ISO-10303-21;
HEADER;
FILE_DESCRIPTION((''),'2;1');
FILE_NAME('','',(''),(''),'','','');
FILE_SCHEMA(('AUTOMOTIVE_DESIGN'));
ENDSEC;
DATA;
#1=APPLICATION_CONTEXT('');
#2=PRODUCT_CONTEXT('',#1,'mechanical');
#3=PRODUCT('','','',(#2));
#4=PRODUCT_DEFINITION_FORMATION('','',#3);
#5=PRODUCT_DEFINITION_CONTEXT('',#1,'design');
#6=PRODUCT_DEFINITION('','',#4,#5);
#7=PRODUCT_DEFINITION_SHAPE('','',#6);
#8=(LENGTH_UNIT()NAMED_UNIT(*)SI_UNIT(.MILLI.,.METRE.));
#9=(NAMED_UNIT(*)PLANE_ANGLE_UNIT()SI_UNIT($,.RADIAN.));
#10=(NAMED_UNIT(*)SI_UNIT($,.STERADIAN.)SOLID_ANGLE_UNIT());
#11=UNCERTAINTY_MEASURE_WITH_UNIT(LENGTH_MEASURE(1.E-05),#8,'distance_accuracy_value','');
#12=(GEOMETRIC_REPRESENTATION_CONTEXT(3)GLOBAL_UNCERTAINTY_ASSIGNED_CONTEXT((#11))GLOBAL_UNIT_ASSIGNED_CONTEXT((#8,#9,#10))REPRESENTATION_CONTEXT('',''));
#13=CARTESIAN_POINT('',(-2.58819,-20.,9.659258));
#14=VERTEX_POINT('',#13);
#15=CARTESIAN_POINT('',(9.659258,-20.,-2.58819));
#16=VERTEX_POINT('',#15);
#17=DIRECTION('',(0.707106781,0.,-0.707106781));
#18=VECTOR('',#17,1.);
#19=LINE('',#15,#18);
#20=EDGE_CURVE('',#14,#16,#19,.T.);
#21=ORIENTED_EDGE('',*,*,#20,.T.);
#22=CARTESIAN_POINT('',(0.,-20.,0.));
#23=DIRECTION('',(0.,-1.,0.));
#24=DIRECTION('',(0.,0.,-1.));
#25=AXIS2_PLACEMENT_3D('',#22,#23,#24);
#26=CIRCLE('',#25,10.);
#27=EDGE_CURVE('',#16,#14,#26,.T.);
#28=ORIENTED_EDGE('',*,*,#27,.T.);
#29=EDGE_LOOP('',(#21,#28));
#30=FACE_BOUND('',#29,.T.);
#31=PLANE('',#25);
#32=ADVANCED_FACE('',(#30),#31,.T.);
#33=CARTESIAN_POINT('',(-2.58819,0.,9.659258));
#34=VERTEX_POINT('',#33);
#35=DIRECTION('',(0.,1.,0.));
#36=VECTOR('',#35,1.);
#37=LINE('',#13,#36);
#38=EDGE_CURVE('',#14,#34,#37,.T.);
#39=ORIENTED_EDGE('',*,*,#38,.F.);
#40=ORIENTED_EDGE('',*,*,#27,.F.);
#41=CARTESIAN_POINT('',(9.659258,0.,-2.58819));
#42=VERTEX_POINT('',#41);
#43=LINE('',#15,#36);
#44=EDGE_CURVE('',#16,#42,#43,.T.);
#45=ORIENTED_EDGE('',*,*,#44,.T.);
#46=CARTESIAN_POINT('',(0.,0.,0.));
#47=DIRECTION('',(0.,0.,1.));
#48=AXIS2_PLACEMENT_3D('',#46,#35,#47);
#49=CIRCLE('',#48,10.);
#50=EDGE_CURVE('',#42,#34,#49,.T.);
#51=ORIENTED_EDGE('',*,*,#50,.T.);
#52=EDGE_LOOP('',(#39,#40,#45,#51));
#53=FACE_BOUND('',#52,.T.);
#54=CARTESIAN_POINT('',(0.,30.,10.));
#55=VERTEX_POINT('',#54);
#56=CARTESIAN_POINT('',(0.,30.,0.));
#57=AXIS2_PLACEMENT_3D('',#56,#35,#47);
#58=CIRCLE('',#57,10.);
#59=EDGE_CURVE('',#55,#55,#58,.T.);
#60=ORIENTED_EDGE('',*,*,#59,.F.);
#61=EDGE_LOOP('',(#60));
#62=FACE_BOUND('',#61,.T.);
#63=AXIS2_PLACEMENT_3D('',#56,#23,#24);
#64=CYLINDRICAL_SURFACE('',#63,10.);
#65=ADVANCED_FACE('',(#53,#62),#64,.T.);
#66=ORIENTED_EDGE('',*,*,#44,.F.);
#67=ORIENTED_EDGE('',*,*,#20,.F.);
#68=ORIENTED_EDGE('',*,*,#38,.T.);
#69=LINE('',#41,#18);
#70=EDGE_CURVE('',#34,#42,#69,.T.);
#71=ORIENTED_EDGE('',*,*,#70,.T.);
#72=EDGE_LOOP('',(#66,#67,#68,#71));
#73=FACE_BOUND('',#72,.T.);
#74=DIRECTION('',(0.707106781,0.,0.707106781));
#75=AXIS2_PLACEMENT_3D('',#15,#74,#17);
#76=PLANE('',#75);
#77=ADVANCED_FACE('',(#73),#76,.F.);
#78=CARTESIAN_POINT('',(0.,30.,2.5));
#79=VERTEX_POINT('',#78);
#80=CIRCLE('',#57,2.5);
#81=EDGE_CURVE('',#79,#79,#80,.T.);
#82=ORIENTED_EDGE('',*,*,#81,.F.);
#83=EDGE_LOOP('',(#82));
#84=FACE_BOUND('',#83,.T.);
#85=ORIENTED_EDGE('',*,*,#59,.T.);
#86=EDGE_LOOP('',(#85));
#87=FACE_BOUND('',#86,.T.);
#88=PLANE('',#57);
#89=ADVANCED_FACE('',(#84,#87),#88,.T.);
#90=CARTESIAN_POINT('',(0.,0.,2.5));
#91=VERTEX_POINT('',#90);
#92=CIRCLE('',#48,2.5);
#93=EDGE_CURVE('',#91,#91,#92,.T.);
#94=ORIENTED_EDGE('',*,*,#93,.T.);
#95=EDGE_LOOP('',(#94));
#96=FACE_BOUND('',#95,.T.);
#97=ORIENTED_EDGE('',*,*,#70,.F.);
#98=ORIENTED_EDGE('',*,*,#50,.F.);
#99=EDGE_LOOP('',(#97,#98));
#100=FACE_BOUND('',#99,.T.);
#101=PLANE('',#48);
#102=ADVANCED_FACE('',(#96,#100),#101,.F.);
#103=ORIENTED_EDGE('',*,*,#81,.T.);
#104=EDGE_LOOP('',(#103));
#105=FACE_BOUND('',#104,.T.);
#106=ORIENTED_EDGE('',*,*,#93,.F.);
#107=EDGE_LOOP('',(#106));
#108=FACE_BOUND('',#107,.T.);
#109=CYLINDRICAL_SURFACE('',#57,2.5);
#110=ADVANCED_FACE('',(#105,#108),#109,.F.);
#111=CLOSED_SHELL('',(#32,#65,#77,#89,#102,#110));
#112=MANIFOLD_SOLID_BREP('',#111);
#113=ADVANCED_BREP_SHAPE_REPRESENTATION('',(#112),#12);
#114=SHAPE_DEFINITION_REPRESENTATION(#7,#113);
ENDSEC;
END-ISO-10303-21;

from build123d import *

# Parameters (mm, degrees)
SKETCH1_R               = 10
BOSS_EXTRUDE1_DEPTH     = 30
F_5_0MM_DOWEL_HOLE1_D   = 5
SALIENTE_EXTRUIR1_START = 20
SALIENTE_EXTRUIR1_DEPTH = 20


with BuildPart() as part:
    # Sketch1 → Boss-Extrude1 (new body)
    with BuildSketch(Plane(origin=(0, 0, 0), x_dir=(1, 0, 0), z_dir=(0, 1, 0))):
        with Locations(Location((0, 0, 0), (0, 0, 270))):
            Circle(SKETCH1_R)
    extrude(amount=BOSS_EXTRUDE1_DEPTH)

    # Ø5.0mm Dowel Hole1 (through all)
    with Locations(Plane(origin=(0, 30, 0), x_dir=(1, 0, 0), z_dir=(0, 1, 0))):
        with Locations((0, 0)):
            Hole(F_5_0MM_DOWEL_HOLE1_D / 2)

    # Croquis1 → Saliente-Extruir1 (add)
    with BuildSketch(Plane.XZ.offset(SALIENTE_EXTRUIR1_START)):
        with BuildLine():
            Line((9.659258263, -2.588190451), (-2.588190451, 9.659258263))
            ThreePointArc((-2.588190451, 9.659258263), (7.071067812, 7.071067812), (9.659258263, -2.588190451))
        make_face()
    extrude(amount=-SALIENTE_EXTRUIR1_DEPTH)


solid = part.part
